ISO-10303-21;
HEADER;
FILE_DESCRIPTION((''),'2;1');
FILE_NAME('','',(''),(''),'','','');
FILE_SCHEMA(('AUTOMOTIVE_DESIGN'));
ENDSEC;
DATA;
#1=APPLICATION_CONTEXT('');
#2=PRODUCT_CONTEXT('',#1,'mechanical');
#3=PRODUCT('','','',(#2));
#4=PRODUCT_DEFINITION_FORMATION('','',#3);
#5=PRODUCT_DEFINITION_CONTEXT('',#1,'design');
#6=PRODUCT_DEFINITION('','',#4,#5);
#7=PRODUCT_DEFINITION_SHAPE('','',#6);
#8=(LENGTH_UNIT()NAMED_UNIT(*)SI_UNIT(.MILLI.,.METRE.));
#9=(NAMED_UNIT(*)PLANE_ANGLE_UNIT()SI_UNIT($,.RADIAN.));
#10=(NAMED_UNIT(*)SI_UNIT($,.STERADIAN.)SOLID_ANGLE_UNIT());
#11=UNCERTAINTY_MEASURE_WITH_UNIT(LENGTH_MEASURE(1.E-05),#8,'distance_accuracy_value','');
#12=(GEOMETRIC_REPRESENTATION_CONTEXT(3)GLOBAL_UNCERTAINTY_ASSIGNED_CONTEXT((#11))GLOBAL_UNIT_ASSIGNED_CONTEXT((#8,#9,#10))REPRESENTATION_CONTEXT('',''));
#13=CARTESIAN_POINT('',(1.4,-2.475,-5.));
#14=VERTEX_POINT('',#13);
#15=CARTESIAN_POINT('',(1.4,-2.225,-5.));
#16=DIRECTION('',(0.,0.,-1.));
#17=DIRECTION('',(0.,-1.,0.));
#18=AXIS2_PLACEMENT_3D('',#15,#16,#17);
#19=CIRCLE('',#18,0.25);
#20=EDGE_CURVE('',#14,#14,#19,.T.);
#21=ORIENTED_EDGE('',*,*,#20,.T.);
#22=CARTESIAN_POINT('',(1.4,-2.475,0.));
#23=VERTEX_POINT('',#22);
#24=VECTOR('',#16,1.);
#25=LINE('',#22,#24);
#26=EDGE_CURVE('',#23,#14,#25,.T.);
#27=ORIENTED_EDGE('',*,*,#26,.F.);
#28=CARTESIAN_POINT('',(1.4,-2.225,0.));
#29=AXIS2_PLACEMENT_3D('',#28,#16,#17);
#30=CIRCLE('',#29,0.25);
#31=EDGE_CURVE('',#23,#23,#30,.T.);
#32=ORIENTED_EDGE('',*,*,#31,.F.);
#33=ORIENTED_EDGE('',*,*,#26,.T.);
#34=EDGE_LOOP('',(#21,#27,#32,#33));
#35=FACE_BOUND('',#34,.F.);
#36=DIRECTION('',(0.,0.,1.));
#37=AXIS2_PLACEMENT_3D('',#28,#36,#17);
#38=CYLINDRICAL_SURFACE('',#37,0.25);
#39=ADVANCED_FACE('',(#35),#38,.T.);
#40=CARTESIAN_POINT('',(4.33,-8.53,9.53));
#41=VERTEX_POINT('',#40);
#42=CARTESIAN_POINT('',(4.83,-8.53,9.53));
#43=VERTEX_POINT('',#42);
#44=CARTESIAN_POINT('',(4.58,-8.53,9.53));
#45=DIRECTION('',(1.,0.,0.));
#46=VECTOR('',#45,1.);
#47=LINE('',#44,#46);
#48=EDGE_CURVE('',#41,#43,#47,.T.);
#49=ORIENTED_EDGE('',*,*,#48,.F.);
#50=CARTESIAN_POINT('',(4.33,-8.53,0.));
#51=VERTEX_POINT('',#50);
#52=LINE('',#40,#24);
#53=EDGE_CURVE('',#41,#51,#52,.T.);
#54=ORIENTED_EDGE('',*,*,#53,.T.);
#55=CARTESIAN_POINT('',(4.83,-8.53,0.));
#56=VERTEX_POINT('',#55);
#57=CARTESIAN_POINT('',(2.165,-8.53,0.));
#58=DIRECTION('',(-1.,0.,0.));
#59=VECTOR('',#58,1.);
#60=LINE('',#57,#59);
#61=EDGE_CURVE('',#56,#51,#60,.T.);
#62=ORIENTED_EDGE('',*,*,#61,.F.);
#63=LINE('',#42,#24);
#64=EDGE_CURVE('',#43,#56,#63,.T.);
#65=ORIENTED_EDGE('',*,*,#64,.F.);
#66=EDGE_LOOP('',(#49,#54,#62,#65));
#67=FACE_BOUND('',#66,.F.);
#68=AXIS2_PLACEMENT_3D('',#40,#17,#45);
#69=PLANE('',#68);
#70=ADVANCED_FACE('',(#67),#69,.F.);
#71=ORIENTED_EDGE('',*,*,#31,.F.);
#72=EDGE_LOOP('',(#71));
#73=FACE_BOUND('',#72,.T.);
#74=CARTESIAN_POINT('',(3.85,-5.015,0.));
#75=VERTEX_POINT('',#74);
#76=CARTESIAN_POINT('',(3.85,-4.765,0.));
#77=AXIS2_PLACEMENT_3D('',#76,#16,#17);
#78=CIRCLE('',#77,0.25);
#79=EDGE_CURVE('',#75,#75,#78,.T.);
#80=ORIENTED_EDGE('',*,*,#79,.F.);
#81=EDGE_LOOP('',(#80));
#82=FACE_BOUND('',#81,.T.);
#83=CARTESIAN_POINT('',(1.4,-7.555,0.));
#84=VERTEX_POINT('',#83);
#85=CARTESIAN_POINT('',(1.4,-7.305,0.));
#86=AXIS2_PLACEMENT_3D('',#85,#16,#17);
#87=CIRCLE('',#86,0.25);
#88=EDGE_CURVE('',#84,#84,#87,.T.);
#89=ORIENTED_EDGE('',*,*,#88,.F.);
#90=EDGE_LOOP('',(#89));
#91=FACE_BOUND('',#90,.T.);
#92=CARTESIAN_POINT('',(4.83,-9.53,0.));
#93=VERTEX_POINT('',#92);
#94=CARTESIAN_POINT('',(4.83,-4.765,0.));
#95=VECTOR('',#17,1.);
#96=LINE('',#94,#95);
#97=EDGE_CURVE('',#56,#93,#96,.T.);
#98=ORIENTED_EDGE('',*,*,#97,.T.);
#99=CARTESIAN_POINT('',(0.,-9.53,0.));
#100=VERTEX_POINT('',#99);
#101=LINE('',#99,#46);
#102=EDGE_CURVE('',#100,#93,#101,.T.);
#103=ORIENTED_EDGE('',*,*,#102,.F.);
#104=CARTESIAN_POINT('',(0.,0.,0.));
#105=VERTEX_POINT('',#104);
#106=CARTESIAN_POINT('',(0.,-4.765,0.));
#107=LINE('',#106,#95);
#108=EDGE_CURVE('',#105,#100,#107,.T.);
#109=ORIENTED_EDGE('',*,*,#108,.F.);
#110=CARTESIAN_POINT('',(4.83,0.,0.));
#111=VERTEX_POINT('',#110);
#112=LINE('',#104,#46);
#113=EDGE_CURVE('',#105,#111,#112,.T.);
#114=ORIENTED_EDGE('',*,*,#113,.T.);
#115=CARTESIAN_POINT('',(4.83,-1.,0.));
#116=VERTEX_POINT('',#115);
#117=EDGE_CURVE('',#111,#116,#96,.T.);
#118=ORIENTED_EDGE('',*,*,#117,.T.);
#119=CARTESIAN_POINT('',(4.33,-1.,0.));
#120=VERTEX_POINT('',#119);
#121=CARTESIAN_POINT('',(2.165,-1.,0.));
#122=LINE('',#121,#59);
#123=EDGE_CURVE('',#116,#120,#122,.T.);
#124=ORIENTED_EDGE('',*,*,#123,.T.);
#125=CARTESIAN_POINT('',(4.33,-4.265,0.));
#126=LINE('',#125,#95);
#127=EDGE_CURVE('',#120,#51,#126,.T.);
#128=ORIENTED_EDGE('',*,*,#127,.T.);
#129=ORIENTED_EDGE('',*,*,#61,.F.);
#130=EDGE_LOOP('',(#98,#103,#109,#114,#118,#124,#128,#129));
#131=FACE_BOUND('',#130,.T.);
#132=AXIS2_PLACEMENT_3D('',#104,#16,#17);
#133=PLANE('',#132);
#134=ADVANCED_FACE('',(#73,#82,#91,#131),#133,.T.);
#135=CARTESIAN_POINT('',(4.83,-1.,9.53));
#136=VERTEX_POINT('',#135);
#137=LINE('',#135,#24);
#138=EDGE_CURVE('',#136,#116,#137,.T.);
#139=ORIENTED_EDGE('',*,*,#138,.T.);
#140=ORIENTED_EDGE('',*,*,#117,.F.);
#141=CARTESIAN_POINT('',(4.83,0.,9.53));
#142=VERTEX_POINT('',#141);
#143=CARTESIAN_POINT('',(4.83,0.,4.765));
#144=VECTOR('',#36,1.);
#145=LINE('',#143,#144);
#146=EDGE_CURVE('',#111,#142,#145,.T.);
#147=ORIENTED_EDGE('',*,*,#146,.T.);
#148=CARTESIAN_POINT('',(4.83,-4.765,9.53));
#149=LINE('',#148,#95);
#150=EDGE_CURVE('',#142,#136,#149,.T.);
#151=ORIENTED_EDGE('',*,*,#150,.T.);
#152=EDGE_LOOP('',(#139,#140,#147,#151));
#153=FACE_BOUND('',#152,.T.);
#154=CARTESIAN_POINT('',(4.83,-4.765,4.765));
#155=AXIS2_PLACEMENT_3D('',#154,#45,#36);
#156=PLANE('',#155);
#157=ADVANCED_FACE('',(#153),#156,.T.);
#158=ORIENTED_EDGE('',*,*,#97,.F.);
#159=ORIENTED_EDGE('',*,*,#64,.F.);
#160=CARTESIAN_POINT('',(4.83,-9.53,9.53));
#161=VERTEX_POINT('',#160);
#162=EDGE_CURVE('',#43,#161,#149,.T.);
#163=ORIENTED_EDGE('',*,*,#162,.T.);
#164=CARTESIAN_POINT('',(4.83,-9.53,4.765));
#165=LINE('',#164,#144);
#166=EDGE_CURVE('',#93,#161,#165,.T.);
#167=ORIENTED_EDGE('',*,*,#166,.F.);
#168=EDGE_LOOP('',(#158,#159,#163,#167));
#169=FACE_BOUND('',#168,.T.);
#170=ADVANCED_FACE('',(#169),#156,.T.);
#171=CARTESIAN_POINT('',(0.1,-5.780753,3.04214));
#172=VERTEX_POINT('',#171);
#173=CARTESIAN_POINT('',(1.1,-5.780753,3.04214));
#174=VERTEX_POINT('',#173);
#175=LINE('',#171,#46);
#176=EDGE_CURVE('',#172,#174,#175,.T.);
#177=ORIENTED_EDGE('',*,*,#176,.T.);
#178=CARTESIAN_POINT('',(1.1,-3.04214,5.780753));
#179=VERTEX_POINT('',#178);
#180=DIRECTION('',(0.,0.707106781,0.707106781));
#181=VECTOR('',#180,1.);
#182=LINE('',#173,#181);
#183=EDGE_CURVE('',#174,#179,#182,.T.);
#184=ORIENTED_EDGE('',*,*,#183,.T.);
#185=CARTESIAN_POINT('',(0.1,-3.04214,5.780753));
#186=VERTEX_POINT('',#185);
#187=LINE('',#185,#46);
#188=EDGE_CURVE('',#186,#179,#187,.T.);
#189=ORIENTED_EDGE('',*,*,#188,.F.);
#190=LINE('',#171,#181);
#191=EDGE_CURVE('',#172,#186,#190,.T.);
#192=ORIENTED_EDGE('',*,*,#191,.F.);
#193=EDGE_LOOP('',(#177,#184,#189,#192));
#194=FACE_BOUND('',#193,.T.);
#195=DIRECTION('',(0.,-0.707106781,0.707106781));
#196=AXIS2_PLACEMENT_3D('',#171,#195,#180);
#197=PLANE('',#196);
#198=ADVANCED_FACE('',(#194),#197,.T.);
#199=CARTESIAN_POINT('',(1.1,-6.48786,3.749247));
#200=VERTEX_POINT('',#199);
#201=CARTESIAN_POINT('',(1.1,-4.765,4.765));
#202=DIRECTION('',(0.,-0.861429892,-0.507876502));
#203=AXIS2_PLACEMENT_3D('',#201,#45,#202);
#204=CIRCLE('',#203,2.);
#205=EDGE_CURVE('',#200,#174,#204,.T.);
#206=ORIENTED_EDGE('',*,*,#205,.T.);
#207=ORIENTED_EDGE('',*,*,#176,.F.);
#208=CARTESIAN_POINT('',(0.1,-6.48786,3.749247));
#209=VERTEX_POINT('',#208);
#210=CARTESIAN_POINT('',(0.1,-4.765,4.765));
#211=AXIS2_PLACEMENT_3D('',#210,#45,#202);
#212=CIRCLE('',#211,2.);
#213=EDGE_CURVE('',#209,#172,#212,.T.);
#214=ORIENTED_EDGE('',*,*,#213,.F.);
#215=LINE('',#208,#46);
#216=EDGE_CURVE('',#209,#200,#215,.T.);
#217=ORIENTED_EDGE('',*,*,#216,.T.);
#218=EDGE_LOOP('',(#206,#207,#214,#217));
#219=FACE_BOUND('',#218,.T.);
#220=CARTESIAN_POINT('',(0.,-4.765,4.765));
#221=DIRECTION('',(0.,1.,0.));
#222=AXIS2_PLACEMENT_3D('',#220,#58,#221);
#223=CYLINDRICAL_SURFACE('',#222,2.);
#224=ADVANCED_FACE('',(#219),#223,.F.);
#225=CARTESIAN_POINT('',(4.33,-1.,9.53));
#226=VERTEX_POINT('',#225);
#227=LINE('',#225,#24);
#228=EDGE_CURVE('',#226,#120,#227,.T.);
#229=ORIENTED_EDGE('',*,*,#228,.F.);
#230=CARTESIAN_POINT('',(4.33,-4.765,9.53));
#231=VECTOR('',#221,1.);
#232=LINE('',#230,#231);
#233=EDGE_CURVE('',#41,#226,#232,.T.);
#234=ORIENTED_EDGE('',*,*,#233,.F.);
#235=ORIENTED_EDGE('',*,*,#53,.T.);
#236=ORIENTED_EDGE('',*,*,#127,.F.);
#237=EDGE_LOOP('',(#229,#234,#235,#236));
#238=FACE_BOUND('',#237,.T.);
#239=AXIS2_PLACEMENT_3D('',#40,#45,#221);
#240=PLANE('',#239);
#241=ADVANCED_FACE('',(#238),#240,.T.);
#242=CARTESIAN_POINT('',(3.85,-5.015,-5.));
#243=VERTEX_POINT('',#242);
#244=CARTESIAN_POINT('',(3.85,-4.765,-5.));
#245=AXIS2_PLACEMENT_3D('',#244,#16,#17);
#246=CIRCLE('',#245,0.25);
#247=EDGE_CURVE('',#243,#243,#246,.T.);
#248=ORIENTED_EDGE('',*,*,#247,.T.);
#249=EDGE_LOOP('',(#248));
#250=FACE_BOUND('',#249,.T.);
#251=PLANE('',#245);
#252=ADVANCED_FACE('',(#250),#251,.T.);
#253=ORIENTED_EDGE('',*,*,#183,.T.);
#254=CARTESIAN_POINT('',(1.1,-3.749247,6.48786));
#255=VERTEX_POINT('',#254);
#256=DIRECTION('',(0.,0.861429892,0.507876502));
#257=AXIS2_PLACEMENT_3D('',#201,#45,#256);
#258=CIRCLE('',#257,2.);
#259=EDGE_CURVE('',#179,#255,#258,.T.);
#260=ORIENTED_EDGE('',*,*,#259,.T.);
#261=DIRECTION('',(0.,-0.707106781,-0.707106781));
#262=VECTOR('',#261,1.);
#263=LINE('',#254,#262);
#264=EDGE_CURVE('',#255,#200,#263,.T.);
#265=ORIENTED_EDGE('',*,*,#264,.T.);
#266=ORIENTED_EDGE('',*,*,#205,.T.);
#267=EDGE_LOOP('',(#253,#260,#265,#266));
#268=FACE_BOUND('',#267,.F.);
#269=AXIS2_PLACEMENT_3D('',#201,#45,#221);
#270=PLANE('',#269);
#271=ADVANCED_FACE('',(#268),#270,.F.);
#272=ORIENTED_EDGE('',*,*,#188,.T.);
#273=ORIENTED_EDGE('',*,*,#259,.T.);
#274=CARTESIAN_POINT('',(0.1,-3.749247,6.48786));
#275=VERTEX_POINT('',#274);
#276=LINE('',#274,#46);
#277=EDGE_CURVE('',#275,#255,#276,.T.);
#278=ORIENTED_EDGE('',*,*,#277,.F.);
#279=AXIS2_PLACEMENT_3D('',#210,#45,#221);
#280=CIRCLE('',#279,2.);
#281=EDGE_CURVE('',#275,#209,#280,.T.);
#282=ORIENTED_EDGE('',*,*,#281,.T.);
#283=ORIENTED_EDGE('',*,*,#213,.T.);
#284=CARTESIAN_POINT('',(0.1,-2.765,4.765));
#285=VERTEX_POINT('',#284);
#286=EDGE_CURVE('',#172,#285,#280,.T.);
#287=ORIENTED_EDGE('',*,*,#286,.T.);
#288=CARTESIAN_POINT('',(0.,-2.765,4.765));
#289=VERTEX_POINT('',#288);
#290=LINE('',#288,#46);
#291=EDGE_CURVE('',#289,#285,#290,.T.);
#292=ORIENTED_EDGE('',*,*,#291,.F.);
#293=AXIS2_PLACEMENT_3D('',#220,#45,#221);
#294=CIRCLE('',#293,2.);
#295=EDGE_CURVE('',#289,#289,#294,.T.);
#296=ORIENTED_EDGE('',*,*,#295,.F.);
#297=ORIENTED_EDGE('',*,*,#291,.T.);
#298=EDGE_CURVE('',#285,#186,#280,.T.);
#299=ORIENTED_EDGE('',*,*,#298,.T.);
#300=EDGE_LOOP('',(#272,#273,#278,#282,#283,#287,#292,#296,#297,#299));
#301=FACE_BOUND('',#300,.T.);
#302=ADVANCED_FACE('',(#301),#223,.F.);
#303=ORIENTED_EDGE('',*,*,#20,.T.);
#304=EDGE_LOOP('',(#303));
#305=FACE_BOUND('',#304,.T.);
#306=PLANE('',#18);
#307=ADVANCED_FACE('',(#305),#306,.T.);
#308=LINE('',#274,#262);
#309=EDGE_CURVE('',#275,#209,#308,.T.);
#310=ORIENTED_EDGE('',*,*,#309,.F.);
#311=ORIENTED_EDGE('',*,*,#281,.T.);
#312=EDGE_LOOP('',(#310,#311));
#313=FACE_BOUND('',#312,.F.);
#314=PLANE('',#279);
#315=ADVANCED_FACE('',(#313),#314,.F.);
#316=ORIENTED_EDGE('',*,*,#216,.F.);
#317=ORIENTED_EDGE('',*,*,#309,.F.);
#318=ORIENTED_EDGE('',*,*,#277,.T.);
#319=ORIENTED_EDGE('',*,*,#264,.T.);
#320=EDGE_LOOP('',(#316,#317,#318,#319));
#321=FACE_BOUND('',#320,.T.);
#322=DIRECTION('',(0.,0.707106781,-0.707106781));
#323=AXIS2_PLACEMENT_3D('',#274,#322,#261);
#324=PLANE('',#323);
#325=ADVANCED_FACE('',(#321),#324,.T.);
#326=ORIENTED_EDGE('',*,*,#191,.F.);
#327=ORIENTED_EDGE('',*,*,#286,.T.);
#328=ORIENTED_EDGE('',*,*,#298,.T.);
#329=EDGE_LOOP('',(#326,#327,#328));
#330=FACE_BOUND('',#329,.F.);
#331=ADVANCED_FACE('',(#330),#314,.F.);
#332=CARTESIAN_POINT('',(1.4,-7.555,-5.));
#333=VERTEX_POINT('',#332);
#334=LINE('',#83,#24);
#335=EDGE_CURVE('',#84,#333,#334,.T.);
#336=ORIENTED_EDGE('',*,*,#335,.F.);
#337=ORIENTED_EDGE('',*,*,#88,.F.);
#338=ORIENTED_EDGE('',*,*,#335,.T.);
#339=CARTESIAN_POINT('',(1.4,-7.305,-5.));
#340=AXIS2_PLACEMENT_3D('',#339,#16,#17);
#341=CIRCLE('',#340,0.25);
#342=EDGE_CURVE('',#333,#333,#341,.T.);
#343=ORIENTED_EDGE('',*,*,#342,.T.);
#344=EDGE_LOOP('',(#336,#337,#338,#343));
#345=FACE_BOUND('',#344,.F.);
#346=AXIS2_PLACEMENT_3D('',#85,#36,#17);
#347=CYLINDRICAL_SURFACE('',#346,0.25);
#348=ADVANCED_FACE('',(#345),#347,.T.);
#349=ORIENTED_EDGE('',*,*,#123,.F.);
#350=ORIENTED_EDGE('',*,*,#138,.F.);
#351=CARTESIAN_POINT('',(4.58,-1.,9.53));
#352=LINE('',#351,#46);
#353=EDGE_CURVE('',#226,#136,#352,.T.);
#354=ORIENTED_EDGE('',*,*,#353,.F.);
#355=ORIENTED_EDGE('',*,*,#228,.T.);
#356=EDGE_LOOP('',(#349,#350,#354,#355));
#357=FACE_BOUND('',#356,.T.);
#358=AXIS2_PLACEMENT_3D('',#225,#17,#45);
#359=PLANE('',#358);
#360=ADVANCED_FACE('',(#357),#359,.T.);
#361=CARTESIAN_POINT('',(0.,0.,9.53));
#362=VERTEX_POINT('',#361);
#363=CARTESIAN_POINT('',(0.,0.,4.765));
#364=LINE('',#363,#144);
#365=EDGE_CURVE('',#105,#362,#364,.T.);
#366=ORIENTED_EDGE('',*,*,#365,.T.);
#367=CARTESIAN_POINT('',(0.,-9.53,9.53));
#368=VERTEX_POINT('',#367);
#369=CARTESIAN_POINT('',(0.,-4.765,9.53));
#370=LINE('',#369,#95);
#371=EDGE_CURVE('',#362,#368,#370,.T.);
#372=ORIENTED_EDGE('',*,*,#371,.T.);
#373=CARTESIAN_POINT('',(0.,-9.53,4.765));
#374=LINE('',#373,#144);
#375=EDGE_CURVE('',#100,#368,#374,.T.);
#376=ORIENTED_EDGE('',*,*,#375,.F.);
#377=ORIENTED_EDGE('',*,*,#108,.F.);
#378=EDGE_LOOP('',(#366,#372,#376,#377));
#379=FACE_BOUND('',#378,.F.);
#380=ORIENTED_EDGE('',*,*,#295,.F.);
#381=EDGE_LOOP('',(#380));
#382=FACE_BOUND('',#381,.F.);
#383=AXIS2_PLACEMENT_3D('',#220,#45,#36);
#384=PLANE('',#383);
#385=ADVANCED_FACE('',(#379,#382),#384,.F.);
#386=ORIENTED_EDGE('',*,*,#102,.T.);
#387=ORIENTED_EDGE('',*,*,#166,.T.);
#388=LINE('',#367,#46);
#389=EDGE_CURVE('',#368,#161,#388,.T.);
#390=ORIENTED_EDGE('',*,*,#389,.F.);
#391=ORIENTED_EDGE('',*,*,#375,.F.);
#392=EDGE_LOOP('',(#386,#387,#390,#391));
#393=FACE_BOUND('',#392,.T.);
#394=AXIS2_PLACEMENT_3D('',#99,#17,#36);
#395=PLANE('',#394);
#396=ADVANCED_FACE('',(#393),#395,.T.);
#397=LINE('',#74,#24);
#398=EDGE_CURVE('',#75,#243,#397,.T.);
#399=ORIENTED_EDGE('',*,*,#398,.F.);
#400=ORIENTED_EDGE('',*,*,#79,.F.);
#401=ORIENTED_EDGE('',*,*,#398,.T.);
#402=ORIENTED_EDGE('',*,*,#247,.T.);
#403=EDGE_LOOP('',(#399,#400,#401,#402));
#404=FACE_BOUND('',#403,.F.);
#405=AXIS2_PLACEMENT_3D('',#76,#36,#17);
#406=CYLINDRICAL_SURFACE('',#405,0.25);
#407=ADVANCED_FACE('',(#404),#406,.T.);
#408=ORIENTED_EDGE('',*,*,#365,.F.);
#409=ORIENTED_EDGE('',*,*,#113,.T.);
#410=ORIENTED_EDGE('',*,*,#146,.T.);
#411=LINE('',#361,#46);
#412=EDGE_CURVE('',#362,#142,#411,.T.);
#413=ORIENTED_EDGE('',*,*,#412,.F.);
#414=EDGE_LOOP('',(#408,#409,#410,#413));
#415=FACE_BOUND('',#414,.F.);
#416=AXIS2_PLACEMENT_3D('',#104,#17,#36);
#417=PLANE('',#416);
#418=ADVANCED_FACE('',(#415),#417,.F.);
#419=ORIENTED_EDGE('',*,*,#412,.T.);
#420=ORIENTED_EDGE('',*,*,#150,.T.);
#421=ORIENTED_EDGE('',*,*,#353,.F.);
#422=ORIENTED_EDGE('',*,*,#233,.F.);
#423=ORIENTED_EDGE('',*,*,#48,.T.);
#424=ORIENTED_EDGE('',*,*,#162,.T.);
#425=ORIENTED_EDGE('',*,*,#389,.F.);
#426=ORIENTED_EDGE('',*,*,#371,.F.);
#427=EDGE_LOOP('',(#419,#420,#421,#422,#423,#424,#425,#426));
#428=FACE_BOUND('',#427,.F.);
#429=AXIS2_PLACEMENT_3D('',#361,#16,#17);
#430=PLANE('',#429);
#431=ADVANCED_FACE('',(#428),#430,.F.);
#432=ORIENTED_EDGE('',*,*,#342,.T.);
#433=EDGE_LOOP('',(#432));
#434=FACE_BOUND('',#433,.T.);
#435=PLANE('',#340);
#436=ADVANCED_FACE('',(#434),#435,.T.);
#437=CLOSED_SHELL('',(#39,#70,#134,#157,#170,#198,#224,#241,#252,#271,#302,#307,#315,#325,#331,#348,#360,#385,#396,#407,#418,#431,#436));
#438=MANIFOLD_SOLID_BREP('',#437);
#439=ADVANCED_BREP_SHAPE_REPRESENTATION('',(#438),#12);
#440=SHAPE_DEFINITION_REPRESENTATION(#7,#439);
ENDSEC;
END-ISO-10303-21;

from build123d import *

# Parameters (mm, degrees)
SKETCH1_W           = 9.53
SKETCH1_H           = 9.53
BASIC_SHAPE_DEPTH   = 4.83
SKETCH3_R           = 2
ADJUSTER_DEPTH      = 0.1
ADJUSTER_SLOT_DEPTH = 1
SKETCH5_R           = 0.25
PINS_DEPTH          = 5
SKETCH6_W           = 0.5
SKETCH6_H           = 7.53
REAR_RELIEF_DEPTH   = 15.53


with BuildPart() as part:
    # Sketch1 → Basic Shape (new body)
    with BuildSketch(Plane(origin=(0, 0, 0), x_dir=(0, 0, 1), z_dir=(1, 0, 0))):
        with Locations((4.765, 4.765)):
            Rectangle(SKETCH1_W, SKETCH1_H)
    extrude(amount=BASIC_SHAPE_DEPTH)

    # Sketch3 → Adjuster (cut)
    with BuildSketch(Plane.YZ):
        with Locations((-4.765, 4.765)):
            Circle(SKETCH3_R)
    extrude(amount=ADJUSTER_DEPTH, mode=Mode.SUBTRACT)

    # Sketch4 → Adjuster Slot (cut)
    with BuildSketch(Plane(origin=(0.1, 0, 0), x_dir=(0, -1, 0), z_dir=(-1, 0, 0))):
        with BuildLine():
            Line((3.749246997, 6.487859784), (6.487859784, 3.749246997))
            ThreePointArc((6.487859784, 3.749246997), (6.179213562, 3.350786438), (5.780753003, 3.042140216))
            Line((5.780753003, 3.042140216), (3.042140216, 5.780753003))
            ThreePointArc((3.042140216, 5.780753003), (3.350786438, 6.179213562), (3.749246997, 6.487859784))
        make_face()
    extrude(amount=-ADJUSTER_SLOT_DEPTH, mode=Mode.SUBTRACT)

    # Sketch5 → Pins (add)
    with BuildSketch(Plane(origin=(0, -19.06, 0), x_dir=(0, -1, 0), z_dir=(0, 0, -1))):
        with Locations((-16.835, -1.4)):
            Circle(SKETCH5_R)
        with Locations((-14.295, -3.85)):
            Circle(SKETCH5_R)
        with Locations((-11.755, -1.4)):
            Circle(SKETCH5_R)
    extrude(amount=PINS_DEPTH)

    # Sketch6 → Rear Relief (cut, through all)
    with BuildSketch(Plane.XY.offset(9.53)):
        with Locations((4.58, -4.765)):
            Rectangle(SKETCH6_W, SKETCH6_H)
    extrude(amount=-REAR_RELIEF_DEPTH, mode=Mode.SUBTRACT)


solid = part.part
